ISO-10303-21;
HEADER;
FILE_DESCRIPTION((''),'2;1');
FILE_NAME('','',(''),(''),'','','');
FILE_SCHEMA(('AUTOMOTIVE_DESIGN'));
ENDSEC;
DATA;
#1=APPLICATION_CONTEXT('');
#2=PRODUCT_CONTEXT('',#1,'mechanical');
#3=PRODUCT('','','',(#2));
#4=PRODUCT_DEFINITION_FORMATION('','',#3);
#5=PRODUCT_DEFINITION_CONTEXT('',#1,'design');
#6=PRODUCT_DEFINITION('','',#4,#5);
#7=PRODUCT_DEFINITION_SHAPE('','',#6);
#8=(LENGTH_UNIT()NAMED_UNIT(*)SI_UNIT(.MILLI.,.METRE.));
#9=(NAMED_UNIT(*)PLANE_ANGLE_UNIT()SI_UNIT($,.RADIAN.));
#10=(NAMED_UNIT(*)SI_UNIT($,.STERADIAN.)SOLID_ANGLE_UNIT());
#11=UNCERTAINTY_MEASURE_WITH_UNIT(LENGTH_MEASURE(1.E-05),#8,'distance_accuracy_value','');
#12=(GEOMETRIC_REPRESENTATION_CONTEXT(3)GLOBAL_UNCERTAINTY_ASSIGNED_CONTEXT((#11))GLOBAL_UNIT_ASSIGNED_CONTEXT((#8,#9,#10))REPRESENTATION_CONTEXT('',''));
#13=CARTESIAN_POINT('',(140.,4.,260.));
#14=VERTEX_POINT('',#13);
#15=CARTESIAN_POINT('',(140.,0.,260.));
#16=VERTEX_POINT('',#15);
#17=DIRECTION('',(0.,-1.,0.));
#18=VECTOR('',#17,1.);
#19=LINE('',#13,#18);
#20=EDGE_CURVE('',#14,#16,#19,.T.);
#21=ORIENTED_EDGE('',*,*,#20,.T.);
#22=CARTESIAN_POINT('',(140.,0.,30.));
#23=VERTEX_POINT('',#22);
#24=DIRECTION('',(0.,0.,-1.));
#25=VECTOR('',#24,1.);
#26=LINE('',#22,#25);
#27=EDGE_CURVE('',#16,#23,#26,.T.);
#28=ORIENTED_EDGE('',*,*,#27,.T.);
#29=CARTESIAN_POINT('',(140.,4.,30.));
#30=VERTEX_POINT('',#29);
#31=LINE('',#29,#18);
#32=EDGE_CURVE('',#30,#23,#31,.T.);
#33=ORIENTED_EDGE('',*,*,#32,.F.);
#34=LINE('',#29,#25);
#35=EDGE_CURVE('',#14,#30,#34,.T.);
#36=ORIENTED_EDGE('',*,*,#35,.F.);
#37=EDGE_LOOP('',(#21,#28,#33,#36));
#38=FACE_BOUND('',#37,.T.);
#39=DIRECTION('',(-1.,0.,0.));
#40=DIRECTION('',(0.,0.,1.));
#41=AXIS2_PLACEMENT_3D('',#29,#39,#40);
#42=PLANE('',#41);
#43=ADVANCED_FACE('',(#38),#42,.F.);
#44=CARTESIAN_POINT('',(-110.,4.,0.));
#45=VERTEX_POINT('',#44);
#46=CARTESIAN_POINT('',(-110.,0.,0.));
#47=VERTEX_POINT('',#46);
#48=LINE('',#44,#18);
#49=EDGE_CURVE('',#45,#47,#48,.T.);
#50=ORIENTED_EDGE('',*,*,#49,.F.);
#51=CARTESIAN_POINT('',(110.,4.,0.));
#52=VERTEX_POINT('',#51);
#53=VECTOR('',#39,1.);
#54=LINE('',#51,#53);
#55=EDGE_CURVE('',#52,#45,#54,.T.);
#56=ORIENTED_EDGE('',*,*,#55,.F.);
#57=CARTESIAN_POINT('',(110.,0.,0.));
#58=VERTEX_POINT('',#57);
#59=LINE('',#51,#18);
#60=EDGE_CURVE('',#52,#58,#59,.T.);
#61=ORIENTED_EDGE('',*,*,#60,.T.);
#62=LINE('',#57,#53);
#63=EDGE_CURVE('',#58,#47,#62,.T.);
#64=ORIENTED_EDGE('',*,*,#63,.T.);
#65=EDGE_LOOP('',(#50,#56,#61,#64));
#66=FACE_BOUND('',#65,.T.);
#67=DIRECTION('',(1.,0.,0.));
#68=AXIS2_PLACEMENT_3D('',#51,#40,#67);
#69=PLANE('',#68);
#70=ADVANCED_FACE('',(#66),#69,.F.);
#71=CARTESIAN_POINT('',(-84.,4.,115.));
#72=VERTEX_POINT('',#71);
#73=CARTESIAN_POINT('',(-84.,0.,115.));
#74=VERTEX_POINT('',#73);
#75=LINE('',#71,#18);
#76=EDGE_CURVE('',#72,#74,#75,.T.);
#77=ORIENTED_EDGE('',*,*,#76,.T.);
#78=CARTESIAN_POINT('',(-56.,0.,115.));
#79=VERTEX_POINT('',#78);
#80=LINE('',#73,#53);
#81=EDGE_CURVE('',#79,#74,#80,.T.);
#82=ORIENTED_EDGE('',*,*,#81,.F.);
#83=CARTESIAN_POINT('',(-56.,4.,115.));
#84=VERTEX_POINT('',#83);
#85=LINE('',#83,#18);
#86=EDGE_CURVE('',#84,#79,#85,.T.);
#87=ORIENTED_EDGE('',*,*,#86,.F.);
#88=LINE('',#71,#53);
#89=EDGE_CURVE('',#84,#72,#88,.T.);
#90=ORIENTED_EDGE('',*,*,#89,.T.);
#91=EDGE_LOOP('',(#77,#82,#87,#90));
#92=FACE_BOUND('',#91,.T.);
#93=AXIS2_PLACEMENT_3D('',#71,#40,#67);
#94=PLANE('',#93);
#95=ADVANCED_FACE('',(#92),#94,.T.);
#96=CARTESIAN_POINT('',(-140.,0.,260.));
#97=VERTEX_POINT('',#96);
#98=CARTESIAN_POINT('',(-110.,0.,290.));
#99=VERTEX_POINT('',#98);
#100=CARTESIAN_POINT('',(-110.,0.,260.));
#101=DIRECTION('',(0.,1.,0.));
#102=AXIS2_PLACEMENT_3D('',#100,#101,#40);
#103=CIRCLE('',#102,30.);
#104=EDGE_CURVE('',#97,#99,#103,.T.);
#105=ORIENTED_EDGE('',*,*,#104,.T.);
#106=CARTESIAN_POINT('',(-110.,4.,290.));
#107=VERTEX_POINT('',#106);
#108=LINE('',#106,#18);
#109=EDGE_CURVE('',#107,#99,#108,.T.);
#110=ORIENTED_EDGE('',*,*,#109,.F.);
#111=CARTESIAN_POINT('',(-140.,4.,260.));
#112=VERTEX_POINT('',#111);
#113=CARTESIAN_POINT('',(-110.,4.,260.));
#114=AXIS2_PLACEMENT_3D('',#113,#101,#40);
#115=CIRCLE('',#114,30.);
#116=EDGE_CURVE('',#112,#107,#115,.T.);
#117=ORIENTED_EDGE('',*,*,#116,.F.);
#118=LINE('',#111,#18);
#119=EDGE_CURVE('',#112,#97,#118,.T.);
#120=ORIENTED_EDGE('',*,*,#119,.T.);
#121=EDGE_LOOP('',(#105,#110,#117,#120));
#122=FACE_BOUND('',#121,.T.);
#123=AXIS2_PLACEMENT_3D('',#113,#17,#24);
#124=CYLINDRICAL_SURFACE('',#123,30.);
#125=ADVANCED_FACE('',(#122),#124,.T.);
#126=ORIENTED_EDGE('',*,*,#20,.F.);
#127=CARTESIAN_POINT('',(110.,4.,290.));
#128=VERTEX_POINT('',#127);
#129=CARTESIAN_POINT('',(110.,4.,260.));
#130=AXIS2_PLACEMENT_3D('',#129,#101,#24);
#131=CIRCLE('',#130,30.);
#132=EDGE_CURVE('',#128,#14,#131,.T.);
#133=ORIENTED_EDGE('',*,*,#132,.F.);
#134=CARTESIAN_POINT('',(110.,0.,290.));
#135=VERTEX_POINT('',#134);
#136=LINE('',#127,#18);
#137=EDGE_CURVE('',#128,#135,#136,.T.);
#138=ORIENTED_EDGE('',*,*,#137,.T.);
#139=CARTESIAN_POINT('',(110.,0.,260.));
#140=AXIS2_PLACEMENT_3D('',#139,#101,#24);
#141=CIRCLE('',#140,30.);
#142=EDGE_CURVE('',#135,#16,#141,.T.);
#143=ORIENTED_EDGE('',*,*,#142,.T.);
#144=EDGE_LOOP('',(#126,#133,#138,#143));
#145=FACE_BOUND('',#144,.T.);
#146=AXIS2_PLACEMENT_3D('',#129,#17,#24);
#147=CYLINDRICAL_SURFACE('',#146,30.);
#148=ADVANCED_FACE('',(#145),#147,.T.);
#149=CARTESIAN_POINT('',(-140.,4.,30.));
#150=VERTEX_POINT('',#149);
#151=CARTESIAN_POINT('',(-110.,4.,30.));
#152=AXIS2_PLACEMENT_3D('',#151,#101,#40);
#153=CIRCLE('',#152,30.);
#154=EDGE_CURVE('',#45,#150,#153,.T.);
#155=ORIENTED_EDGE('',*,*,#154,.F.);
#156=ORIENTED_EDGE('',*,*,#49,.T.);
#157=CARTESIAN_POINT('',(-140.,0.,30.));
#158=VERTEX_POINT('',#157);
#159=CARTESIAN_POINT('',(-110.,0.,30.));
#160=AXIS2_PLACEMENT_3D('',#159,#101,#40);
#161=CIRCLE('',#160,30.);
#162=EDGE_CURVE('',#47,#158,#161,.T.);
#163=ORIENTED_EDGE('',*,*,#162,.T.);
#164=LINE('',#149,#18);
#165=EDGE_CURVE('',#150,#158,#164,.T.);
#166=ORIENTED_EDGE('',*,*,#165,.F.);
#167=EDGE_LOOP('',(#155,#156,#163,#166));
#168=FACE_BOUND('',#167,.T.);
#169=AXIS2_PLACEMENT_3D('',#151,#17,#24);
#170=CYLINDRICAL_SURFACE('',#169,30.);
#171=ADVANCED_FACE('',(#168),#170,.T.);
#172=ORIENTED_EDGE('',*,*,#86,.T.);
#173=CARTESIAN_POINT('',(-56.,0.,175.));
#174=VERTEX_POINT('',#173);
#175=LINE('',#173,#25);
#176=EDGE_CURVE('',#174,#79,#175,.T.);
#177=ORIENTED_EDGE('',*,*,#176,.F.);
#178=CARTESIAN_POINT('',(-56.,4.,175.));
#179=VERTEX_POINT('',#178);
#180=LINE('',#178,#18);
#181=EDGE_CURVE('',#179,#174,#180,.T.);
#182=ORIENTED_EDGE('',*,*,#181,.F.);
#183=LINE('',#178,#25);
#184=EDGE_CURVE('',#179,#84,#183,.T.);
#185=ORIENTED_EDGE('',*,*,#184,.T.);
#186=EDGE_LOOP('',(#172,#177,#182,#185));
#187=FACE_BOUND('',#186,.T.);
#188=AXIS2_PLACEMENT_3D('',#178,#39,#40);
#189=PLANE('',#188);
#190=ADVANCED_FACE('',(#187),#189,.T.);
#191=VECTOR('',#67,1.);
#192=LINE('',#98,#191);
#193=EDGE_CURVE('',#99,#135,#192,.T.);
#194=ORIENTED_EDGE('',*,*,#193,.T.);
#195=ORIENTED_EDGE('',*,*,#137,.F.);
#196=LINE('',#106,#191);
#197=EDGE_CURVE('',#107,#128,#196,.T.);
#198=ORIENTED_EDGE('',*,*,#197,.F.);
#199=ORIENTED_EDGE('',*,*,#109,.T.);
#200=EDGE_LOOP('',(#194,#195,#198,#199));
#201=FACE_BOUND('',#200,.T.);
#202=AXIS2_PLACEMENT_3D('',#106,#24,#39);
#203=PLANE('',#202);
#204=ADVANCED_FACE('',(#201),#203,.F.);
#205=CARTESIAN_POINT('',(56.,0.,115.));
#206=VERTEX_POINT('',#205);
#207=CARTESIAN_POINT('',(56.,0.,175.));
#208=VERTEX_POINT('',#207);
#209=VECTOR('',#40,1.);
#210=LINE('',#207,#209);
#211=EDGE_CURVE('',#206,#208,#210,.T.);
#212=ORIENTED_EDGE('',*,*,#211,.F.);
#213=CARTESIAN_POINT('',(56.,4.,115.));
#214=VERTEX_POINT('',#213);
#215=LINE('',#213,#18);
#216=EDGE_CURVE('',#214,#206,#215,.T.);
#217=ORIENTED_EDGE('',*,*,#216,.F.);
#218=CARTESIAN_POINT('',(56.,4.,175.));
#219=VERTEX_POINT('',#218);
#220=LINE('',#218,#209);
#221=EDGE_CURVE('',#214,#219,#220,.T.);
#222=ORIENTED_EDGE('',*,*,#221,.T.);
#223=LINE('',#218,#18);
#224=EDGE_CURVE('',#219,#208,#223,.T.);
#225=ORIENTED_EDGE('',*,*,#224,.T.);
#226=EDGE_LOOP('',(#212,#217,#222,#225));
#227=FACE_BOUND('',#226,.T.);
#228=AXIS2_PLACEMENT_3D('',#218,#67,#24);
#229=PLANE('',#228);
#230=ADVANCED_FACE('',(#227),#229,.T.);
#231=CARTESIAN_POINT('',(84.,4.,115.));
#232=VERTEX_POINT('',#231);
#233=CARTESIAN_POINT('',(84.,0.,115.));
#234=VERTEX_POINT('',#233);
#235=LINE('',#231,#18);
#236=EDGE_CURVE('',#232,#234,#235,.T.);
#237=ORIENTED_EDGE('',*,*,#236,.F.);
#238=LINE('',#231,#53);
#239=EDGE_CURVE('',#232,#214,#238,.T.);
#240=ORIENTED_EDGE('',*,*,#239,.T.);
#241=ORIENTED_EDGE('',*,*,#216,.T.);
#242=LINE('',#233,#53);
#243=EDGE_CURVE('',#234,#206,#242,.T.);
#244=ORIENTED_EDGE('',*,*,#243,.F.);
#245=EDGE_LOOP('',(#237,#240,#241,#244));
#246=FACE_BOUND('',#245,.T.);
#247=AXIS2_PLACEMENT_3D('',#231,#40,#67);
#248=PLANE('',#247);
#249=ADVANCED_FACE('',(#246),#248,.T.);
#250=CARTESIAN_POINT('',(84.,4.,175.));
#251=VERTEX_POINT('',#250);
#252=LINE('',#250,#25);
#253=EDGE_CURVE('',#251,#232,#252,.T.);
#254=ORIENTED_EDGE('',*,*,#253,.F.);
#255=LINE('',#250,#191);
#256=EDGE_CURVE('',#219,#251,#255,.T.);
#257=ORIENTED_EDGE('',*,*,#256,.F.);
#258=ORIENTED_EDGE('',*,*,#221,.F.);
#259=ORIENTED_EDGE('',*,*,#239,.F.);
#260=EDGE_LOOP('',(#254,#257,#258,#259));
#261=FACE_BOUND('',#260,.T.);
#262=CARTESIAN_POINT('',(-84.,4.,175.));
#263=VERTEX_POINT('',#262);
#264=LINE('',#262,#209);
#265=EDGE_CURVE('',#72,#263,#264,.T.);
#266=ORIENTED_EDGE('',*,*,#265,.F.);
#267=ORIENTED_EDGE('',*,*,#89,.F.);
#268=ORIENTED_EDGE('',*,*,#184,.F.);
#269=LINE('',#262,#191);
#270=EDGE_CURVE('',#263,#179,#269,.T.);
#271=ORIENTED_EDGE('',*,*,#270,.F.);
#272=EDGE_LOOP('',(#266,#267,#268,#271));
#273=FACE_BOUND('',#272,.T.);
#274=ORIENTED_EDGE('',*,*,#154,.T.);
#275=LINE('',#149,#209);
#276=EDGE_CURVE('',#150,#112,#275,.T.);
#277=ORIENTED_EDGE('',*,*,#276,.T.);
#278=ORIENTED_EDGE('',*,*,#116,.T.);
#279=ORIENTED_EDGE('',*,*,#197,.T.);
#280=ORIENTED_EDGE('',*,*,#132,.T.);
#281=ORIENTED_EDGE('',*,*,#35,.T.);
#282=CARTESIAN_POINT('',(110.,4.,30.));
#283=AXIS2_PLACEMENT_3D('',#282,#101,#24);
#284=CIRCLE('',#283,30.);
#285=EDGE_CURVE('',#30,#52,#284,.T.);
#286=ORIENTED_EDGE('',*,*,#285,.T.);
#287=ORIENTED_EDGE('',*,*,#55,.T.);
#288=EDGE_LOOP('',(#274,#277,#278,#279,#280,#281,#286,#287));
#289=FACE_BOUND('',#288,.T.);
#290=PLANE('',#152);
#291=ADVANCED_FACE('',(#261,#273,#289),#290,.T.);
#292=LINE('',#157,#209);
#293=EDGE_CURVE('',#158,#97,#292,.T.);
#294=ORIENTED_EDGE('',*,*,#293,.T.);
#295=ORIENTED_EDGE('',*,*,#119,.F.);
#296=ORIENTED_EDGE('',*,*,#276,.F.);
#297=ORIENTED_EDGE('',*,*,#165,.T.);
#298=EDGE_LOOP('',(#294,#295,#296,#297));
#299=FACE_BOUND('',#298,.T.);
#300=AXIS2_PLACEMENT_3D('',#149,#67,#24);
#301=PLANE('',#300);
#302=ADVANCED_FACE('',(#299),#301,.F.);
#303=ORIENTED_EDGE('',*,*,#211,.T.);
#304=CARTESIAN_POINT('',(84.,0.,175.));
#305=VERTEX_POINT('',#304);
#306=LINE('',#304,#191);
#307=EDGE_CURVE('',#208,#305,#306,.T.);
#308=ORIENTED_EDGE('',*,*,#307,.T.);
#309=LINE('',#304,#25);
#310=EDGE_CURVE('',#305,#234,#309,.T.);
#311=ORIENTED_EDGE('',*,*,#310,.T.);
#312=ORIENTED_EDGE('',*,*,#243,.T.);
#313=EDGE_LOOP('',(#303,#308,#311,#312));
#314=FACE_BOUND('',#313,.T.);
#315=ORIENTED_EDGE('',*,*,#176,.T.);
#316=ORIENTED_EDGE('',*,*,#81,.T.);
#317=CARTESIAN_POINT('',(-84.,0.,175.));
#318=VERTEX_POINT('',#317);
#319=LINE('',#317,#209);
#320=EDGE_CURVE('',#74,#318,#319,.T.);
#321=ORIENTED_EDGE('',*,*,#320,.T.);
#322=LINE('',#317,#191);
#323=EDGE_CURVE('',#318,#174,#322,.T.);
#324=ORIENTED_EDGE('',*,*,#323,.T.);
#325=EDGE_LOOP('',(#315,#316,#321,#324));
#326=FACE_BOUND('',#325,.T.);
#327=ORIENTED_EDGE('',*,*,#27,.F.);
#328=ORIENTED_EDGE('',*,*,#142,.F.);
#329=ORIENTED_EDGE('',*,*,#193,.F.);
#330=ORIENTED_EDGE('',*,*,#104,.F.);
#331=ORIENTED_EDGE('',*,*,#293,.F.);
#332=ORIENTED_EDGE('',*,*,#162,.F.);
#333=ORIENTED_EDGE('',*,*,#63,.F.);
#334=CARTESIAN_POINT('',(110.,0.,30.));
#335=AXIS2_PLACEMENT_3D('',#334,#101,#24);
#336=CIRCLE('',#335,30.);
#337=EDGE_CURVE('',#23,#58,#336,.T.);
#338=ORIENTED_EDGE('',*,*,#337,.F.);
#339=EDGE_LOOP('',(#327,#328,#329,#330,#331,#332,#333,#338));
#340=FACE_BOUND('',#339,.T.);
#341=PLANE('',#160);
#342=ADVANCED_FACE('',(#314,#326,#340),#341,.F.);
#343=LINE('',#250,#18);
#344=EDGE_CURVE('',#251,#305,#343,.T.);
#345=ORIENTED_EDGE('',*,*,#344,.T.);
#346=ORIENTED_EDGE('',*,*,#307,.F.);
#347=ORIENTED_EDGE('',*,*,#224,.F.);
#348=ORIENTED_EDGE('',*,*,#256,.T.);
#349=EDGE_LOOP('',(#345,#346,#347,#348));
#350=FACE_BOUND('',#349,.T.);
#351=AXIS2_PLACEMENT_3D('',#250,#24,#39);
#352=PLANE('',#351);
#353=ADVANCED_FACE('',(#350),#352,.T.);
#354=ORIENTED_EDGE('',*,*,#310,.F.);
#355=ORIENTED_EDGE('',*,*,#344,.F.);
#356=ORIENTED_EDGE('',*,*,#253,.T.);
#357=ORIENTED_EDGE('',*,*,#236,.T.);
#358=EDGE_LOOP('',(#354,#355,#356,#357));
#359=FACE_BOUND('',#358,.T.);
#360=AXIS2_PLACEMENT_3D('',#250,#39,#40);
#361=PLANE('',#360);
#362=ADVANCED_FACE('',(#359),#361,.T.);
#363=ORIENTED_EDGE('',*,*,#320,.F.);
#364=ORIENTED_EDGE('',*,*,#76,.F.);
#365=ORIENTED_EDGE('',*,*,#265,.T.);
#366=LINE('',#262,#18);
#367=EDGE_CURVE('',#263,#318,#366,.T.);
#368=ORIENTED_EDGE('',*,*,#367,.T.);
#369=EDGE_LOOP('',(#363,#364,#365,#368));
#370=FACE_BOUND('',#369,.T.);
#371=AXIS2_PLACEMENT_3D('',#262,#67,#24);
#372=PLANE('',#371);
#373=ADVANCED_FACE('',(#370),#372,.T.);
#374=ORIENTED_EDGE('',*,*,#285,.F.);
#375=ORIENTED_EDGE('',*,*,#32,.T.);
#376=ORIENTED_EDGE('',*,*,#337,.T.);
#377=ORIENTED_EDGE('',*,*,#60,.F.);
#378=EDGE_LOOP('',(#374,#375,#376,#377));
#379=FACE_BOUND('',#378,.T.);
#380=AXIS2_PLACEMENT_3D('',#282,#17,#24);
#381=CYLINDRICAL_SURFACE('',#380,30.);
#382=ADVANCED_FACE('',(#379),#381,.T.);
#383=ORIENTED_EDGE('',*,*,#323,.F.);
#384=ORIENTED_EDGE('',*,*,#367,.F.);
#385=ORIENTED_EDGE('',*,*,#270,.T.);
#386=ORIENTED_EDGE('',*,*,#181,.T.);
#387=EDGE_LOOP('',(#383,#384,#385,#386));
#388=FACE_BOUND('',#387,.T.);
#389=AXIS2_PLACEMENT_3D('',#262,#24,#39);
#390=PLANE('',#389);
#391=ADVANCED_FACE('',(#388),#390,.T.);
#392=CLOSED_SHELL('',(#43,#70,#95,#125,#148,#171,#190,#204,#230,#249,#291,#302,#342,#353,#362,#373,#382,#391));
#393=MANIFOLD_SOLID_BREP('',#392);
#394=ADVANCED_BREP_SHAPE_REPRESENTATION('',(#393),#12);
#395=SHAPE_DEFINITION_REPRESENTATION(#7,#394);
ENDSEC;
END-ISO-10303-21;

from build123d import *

# Parameters (mm, degrees)
ESQUISSE1_W      = 28
ESQUISSE1_H      = 60
EXTRUSION1_DEPTH = 4


with BuildPart() as part:
    # Esquisse1 → Extrusion1 (new body)
    with BuildSketch(Plane(origin=(0, 0, 0), x_dir=(1, 0, 0), z_dir=(0, 1, 0))):
        with BuildLine():
            Line((110, 0), (-110, 0))
            ThreePointArc((-110, 0), (-131.213203436, -8.786796564), (-140, -30))
            Line((-140, -30), (-140, -260))
            ThreePointArc((-140, -260), (-131.213203436, -281.213203436), (-110, -290))
            Line((-110, -290), (110, -290))
            ThreePointArc((110, -290), (131.213203436, -281.213203436), (140, -260))
            Line((140, -260), (140, -30))
            ThreePointArc((140, -30), (131.213203436, -8.786796564), (110, 0))
        make_face()
        with Locations((70, -145)):
            Rectangle(ESQUISSE1_W, ESQUISSE1_H, mode=Mode.SUBTRACT)
        with Locations((-70, -145)):
            Rectangle(ESQUISSE1_W, ESQUISSE1_H, mode=Mode.SUBTRACT)
    extrude(amount=EXTRUSION1_DEPTH)


solid = part.part
